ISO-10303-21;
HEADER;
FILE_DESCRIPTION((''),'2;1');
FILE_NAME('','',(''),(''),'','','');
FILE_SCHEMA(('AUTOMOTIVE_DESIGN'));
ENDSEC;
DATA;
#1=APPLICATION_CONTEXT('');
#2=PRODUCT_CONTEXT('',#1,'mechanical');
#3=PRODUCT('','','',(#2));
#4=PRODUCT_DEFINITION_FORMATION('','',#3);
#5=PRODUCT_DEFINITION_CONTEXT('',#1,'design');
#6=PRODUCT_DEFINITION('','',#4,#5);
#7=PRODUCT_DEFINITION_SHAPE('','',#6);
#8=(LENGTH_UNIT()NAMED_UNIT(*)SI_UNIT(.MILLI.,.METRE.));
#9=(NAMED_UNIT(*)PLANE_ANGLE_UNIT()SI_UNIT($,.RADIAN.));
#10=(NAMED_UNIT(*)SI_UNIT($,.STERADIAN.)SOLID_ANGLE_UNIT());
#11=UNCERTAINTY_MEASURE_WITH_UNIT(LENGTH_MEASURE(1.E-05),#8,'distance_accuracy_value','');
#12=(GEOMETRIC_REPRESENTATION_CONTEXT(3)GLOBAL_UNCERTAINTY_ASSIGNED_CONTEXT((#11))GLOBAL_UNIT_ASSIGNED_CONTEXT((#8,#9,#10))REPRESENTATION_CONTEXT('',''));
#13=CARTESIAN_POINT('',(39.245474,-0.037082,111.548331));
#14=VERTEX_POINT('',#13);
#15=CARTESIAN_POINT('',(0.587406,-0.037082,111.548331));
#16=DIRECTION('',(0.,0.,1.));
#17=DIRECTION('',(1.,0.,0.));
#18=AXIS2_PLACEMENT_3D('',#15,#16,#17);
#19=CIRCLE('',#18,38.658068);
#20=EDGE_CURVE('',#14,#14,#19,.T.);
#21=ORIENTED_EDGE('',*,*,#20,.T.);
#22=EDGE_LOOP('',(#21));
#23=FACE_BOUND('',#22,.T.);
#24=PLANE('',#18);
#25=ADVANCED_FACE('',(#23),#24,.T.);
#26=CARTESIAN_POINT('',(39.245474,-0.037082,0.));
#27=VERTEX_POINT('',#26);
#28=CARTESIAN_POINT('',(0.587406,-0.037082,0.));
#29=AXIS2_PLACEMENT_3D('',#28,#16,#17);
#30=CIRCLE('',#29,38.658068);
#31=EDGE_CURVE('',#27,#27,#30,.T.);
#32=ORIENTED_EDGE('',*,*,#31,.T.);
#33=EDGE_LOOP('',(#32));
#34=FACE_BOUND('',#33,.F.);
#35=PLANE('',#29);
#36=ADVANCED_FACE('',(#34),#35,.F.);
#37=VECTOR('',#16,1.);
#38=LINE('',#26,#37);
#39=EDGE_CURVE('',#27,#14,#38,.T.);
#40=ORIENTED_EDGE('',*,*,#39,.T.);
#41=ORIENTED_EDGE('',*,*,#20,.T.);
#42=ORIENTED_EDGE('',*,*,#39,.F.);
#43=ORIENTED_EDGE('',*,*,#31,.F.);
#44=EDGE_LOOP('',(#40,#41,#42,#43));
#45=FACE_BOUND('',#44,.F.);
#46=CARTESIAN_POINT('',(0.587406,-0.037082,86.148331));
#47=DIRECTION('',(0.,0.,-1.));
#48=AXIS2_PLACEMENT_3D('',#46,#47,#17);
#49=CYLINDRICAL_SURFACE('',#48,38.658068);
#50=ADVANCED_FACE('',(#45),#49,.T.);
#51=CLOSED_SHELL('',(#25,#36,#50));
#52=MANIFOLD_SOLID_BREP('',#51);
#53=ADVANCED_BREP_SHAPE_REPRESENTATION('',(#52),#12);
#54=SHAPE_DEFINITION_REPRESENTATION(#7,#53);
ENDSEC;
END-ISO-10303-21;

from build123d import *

# Parameters (mm, degrees)
F0_R     = 38.6580677432
F1_DEPTH = 60.7483312488
F2_DEPTH = 25.4
F3_DEPTH = 25.4


with BuildPart() as f1:
    # F0 (on Top) → F1 (new body)
    with BuildSketch(Plane.XY):
        with Locations((0.5874064986, -0.0370815396)):
            Circle(F0_R)
    extrude(amount=F1_DEPTH)

    # F2 (add): a face of the model
    f2_faces = [f1.faces().sort_by_distance(p)[0] for p in [
        (0.5874064986, -0.0370815396, 60.7483312488),
    ]]
    extrude(f2_faces, amount=F2_DEPTH)

    # F3 (add): a face of the model
    f3_faces = [f1.faces().sort_by_distance(p)[0] for p in [
        (0.5874064986, -0.0370815396, 86.1483312488),
    ]]
    extrude(f3_faces, amount=F3_DEPTH)


solid = f1.part
